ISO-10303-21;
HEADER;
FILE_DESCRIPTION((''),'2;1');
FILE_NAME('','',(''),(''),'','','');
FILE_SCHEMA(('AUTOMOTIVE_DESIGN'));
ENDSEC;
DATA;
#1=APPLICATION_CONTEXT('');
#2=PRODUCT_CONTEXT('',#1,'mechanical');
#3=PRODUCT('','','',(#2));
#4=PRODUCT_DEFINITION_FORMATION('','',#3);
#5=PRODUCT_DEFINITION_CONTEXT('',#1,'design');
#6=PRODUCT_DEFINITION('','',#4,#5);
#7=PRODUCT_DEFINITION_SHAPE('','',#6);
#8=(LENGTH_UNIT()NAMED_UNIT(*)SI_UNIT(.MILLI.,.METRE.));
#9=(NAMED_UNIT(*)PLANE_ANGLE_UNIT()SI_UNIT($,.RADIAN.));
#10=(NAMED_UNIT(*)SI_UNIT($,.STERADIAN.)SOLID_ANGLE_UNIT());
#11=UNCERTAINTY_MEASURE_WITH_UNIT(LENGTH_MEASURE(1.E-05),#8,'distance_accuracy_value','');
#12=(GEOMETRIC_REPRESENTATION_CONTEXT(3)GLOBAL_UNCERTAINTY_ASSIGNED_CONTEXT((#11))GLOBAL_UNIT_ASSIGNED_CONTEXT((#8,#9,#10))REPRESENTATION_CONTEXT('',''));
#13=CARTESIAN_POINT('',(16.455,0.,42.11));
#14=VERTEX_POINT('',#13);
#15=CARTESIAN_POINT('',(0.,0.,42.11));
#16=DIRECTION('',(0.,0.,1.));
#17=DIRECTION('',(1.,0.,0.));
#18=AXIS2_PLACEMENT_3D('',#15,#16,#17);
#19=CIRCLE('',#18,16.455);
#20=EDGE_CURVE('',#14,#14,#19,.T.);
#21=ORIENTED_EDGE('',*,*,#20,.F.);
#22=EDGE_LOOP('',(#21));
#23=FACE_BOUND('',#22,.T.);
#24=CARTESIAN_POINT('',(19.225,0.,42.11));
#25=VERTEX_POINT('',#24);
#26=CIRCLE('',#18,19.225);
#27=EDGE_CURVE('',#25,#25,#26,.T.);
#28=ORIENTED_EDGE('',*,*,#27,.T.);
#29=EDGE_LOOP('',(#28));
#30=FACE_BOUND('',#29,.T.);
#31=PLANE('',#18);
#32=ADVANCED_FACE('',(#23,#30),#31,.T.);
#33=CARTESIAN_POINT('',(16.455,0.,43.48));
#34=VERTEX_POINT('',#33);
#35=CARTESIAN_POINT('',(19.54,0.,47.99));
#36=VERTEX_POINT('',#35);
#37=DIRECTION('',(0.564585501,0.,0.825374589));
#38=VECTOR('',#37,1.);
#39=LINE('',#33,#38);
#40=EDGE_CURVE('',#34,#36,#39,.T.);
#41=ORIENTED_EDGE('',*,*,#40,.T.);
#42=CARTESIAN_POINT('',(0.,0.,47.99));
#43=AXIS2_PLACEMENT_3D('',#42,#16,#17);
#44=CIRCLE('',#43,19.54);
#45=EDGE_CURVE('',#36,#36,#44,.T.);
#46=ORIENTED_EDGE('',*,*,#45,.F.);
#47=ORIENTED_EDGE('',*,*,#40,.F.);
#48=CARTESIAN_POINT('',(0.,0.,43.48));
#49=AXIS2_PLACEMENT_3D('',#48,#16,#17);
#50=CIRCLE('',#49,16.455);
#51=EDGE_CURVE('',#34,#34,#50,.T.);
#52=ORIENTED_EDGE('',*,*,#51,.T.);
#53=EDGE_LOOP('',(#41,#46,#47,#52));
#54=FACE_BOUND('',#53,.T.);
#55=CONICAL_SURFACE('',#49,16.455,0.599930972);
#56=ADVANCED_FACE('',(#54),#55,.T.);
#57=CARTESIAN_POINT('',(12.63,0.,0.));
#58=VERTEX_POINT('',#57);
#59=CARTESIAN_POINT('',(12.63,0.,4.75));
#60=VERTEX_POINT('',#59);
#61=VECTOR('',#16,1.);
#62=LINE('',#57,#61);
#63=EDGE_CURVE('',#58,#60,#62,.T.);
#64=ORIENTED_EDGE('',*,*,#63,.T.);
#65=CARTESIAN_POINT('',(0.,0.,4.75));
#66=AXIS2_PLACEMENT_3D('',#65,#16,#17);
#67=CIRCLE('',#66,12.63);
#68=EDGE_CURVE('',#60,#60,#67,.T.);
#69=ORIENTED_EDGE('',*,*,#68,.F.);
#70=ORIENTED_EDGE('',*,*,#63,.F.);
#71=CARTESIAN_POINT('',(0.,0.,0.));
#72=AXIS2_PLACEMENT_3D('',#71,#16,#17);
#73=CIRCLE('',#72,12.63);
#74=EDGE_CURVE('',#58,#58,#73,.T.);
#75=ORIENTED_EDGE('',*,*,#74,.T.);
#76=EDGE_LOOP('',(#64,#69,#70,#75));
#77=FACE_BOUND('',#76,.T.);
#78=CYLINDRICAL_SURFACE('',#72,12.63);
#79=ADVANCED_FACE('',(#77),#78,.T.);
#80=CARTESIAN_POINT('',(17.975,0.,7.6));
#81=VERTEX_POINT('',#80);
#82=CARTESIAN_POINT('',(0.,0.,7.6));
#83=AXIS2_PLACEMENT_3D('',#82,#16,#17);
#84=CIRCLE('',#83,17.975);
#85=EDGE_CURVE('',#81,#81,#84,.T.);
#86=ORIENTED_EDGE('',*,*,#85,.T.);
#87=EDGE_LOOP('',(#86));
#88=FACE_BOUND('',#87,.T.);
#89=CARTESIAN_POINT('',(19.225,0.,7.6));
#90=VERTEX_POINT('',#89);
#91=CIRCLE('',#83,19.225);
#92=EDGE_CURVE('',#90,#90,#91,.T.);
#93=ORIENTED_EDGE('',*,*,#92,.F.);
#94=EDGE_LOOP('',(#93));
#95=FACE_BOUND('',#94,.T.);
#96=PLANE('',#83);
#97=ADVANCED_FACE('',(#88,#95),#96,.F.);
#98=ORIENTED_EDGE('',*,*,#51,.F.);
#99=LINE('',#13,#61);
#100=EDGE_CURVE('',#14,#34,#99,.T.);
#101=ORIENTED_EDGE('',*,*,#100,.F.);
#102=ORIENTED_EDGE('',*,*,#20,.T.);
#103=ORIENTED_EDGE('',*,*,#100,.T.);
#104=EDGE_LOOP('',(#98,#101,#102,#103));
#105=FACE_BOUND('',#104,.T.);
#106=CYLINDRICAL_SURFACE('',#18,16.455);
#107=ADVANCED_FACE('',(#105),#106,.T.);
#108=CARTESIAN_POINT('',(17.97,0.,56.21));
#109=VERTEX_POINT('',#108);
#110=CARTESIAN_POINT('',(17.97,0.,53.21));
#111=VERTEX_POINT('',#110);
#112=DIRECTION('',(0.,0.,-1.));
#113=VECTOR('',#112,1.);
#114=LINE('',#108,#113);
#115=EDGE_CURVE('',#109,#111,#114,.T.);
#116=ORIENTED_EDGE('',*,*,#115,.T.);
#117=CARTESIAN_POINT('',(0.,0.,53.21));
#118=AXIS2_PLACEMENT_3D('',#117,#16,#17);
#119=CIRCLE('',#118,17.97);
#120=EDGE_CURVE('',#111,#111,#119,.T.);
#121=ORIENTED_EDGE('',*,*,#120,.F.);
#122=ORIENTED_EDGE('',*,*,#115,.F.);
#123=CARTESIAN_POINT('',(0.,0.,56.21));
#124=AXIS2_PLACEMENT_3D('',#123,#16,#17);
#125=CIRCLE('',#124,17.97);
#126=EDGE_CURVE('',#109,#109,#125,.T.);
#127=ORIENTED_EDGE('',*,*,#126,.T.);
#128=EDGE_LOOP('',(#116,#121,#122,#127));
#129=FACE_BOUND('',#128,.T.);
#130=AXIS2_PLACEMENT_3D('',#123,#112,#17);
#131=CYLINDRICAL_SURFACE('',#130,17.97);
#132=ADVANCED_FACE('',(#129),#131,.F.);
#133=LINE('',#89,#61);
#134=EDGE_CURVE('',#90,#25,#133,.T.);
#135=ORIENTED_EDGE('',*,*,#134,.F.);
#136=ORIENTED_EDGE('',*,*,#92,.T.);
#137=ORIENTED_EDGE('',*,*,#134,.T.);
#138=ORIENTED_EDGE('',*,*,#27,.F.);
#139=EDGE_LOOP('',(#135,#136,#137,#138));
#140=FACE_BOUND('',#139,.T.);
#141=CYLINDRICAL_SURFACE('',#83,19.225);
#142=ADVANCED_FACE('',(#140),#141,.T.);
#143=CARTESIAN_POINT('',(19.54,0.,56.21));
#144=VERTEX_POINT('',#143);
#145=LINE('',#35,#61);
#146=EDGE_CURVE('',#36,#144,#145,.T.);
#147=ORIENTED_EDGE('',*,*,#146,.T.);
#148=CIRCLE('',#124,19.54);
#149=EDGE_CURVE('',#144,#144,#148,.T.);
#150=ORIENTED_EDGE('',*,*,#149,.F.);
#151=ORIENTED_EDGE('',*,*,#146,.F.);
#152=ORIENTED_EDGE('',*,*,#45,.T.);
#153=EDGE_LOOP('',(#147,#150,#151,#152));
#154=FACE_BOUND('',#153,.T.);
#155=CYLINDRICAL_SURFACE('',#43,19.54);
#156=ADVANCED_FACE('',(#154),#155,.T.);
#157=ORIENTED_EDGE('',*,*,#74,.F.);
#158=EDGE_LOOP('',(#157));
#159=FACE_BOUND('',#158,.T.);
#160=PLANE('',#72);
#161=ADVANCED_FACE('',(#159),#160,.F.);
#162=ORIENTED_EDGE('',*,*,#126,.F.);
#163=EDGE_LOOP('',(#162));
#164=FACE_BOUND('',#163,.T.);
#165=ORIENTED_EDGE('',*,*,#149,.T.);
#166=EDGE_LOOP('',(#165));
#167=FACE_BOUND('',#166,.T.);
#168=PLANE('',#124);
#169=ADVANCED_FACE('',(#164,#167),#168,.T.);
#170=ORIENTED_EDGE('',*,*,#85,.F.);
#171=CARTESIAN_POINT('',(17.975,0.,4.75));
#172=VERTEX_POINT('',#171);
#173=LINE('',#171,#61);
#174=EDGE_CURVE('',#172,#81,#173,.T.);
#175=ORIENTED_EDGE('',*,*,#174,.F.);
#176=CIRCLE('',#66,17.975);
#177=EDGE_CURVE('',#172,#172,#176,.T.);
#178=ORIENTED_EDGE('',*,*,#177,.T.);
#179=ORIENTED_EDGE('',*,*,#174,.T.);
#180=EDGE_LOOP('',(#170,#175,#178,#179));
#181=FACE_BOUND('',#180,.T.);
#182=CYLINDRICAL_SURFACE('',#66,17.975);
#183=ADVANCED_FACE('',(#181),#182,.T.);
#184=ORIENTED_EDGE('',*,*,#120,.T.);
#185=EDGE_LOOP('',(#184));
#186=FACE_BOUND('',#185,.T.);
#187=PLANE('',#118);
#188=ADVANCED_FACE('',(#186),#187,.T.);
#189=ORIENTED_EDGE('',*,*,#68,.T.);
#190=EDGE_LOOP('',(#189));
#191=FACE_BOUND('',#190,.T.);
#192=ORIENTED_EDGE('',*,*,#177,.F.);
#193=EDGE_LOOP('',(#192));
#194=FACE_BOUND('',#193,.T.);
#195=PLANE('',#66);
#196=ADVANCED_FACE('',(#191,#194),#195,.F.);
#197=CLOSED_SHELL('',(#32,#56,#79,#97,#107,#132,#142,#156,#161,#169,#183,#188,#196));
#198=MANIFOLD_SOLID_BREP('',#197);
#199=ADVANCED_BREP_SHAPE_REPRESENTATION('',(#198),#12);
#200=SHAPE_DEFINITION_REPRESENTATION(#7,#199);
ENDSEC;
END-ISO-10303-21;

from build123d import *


with BuildPart() as part:
    # Sketch → Revolution (revolve)
    with BuildSketch(Plane.XZ):
        Polygon((0, 0), (12.63, 0), (12.63, 4.75), (17.975, 4.75), (17.975, 7.6), (19.225, 7.6), (19.225, 42.11), (16.455, 42.11), (16.455, 43.48), (19.54, 47.99), (19.54, 56.21), (17.97, 56.21), (17.97, 53.21), (0, 53.21), align=None)
    revolve(axis=Axis((0, 0, 0), (0, 0, 1)))


solid = part.part
